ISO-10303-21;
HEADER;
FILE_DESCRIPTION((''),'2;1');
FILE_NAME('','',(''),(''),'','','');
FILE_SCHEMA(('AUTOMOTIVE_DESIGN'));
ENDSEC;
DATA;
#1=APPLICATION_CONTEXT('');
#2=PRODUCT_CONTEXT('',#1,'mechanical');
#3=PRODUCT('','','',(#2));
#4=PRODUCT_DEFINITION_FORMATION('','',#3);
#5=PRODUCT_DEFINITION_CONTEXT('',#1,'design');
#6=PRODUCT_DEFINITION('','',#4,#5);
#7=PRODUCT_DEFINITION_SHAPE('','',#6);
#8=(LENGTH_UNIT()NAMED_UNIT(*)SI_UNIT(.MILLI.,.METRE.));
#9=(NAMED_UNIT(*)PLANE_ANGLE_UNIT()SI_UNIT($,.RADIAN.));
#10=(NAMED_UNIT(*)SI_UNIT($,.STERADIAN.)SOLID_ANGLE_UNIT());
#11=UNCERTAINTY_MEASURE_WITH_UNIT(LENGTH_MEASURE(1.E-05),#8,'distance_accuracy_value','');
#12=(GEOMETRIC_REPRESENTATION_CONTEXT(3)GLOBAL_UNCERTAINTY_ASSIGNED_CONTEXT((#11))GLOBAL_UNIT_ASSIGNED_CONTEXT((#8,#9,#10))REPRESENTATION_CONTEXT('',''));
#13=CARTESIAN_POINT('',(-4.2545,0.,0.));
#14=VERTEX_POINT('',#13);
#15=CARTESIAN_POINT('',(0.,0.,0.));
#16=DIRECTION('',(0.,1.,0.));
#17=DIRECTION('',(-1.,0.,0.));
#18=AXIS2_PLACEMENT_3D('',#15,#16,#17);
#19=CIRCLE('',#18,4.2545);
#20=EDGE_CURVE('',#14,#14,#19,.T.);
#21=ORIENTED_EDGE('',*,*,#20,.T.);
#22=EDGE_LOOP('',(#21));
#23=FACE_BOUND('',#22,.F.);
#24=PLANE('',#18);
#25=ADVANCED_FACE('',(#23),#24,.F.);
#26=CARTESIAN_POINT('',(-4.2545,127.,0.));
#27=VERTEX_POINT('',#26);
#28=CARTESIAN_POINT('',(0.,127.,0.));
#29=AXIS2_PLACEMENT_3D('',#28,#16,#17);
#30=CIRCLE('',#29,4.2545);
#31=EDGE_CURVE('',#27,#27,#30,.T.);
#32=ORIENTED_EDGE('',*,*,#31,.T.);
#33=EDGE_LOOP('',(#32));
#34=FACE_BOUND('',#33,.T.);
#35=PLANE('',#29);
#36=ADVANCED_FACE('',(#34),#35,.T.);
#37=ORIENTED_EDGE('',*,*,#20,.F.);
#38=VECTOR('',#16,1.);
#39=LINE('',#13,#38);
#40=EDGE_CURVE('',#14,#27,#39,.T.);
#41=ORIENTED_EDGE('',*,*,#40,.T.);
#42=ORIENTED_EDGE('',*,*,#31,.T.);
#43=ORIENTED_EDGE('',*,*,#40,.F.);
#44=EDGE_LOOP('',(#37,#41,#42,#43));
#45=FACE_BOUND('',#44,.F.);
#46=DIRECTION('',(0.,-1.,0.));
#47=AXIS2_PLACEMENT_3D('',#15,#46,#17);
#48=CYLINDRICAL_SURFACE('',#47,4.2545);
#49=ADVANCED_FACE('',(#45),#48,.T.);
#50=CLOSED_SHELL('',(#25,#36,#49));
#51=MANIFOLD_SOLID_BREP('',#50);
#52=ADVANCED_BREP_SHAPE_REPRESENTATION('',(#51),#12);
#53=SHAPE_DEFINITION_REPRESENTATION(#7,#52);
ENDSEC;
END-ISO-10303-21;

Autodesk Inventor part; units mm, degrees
ref_plane "YZ Plane" through (0, 0, 0) normal (1, 0, 0) x (0, 1, 0)
ref_plane "XZ Plane" through (0, 0, 0) normal (0, 1, 0) x (-1, 0, 0)
ref_plane "XY Plane" through (0, 0, 0) normal (0, 0, 1) x (1, 0, 0)
sketch "Sketch1" plane through (0, 0, 0) normal (0, 1, 0) x (-1, 0, 0)
  circle A0 centre (0, 0) radius 4.2545
  dimension "d0" = 8.509
extrude "Extrusion1" add sketch "Sketch1" along normal blind 127
properties part number "lead screw" material "Aluminum 6061"
